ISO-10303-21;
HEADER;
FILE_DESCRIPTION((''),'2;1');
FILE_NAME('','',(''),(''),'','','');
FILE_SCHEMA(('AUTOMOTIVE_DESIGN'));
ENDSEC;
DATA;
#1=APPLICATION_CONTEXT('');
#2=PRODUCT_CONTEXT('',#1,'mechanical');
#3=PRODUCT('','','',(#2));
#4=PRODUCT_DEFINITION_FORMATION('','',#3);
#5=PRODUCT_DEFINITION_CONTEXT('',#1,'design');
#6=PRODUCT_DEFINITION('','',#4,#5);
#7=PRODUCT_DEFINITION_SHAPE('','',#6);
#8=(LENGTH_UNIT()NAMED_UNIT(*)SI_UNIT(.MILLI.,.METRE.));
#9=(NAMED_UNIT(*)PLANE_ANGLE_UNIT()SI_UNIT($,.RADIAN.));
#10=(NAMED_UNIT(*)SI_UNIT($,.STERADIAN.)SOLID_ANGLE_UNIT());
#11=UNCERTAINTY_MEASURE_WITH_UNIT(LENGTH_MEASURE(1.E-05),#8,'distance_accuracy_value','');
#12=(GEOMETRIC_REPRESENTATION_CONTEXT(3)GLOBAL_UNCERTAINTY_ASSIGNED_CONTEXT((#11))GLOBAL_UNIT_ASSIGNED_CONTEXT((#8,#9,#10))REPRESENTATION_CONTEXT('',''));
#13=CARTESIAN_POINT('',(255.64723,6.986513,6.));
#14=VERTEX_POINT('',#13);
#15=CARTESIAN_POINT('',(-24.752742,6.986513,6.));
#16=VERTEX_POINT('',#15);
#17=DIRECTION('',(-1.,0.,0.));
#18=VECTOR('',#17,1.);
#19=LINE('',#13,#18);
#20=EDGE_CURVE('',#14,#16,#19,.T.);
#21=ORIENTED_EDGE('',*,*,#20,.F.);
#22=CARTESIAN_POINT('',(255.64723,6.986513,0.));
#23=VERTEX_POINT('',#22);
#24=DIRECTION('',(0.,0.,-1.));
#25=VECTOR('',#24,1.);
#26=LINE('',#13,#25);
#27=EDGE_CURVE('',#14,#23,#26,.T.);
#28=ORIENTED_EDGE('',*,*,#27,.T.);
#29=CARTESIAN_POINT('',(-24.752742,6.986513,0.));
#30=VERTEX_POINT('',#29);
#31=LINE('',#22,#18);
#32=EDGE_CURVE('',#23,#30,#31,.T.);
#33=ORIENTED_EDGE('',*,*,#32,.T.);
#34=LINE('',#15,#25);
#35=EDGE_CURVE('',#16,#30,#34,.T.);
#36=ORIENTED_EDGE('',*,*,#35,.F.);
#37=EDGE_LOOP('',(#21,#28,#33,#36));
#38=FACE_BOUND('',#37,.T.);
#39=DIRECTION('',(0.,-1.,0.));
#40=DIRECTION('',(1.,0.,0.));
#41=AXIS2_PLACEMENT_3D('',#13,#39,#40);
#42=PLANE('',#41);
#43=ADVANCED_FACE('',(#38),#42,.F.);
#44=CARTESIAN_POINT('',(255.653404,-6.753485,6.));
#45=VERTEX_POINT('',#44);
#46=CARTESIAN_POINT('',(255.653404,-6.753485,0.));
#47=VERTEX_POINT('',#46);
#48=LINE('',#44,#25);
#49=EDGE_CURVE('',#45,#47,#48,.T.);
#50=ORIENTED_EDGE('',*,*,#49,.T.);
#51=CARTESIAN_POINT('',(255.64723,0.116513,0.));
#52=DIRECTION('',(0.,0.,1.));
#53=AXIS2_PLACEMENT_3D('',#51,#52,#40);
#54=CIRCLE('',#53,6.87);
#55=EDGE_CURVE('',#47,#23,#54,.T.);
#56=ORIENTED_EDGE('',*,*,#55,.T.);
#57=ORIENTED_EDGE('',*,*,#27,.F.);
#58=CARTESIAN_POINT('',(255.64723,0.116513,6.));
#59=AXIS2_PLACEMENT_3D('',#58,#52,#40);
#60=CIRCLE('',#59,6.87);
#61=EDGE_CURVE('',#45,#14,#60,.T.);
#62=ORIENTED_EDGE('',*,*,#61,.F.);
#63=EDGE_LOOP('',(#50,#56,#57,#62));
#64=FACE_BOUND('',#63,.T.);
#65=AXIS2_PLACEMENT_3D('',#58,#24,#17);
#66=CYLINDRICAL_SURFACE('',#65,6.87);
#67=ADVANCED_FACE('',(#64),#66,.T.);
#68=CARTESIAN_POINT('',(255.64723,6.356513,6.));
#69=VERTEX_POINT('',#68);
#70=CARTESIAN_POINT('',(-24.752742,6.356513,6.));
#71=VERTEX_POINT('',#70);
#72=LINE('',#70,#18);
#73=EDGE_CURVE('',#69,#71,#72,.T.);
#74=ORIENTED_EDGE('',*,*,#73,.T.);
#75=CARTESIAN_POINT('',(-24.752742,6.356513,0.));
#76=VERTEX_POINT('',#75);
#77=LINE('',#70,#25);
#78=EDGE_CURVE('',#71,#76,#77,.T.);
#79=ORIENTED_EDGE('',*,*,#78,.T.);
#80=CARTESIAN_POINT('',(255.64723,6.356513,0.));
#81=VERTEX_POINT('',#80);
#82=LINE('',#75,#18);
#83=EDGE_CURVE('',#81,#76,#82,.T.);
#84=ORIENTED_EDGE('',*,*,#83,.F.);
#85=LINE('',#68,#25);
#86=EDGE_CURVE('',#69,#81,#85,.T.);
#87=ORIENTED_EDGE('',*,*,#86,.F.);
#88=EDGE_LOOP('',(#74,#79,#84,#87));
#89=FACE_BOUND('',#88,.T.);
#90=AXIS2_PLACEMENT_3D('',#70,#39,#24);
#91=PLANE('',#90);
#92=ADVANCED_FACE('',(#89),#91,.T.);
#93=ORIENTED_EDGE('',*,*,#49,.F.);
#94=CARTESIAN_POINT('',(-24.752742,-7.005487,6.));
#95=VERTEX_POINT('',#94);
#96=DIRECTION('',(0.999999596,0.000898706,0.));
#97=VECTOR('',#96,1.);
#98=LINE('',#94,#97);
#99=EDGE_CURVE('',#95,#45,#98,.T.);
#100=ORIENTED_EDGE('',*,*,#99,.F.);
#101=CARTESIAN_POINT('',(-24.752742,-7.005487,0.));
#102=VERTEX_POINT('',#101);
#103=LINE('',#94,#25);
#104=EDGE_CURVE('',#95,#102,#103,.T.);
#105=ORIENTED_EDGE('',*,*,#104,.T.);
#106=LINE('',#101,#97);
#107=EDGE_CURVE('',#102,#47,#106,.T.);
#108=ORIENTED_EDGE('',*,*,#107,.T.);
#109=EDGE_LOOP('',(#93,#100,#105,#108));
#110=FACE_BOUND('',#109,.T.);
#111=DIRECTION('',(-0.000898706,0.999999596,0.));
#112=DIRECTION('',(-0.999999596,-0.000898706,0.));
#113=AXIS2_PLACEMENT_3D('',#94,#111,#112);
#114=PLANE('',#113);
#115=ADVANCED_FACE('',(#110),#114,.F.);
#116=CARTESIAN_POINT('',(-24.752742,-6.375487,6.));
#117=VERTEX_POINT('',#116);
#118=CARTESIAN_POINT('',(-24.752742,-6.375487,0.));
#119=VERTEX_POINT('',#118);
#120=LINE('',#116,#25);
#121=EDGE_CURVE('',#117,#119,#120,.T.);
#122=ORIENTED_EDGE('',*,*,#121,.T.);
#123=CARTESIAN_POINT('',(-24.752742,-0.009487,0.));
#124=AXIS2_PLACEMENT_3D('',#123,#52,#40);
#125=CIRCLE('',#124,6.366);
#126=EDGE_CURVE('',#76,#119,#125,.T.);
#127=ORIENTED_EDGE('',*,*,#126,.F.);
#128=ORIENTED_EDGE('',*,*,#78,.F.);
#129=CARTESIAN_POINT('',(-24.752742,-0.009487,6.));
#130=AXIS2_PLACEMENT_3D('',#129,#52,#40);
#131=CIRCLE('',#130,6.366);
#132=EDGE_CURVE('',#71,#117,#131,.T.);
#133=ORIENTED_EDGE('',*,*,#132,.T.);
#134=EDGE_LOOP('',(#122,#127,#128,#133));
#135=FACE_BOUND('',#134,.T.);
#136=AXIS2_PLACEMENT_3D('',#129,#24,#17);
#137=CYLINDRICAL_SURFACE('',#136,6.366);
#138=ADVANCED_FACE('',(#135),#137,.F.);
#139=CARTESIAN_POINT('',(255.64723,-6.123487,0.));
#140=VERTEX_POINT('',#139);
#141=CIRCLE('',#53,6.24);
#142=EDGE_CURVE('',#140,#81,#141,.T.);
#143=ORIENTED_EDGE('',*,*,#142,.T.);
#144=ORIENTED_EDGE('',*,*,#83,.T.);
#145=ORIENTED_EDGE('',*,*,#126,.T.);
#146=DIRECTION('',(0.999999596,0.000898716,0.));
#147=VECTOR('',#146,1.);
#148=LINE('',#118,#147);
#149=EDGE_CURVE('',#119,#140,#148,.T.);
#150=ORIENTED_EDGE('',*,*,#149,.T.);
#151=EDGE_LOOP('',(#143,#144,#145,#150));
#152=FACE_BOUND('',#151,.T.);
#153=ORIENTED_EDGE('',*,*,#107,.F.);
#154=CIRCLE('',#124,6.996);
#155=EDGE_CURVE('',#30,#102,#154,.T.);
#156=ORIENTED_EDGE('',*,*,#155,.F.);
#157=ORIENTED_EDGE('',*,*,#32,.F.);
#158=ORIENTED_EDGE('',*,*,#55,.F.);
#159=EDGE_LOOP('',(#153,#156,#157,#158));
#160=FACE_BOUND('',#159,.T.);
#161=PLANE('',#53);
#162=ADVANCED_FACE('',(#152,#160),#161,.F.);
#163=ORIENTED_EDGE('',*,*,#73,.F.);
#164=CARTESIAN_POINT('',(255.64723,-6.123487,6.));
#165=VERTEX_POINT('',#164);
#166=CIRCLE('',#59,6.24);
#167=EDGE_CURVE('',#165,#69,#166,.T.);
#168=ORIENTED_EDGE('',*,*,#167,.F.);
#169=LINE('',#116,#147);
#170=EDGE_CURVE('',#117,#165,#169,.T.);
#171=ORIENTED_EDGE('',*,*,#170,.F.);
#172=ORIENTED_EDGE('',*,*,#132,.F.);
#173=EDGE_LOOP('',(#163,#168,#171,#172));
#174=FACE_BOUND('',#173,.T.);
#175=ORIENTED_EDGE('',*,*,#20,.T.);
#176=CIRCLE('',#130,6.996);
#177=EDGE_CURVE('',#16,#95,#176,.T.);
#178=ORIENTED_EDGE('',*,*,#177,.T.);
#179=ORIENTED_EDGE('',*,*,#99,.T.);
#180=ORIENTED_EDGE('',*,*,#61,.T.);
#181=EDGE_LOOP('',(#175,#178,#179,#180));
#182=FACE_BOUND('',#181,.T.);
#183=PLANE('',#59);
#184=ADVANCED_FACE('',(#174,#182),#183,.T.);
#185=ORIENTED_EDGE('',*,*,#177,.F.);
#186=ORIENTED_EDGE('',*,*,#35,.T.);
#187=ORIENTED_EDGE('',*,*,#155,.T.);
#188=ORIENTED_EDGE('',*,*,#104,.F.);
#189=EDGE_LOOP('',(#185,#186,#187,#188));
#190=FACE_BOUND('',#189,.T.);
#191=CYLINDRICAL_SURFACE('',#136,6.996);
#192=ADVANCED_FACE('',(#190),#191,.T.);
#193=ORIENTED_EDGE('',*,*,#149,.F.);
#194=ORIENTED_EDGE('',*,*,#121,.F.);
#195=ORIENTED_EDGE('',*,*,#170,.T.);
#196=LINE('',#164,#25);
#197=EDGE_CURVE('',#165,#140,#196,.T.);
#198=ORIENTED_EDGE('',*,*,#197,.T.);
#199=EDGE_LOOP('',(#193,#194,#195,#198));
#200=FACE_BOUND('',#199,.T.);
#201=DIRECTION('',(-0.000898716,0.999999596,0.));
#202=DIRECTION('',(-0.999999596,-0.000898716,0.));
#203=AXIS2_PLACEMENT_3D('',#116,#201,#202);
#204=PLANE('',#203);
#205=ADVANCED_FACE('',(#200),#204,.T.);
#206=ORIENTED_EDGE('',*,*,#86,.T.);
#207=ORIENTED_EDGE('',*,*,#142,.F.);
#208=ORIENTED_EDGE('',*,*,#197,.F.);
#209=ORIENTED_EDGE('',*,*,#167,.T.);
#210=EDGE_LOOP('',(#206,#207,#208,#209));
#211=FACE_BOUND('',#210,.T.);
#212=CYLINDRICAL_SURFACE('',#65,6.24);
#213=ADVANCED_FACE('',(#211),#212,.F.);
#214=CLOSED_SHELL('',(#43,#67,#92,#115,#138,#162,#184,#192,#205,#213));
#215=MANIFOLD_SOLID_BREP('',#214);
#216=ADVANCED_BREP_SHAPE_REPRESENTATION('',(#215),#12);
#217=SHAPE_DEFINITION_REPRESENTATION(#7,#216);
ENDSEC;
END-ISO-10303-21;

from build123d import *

# Parameters (mm, degrees)
SALIENTE_EXTRUIR1_DEPTH = 6


with BuildPart() as part:
    # Croquis1 → Saliente-Extruir1 (new body)
    with BuildSketch(Plane.XY):
        with BuildLine():
            Line((255.64723017, 6.986512672), (-24.752741521, 6.986512672))
            ThreePointArc((-24.752741521, 6.986512672), (-31.748741521, -0.009487328), (-24.752741521, -7.005487328))
            Line((-24.752741521, -7.005487328), (255.65340428, -6.753484553))
            ThreePointArc((255.65340428, -6.753484553), (262.517229476, 0.119599728), (255.64723017, 6.986512672))
        make_face()
        with BuildLine():
            Line((-24.752741521, 6.356512672), (255.64723017, 6.356512672))
            ThreePointArc((255.64723017, 6.356512672), (261.88723017, 0.116512672), (255.64723017, -6.123487328))
            Line((255.64723017, -6.123487328), (-24.752741521, -6.375487328))
            ThreePointArc((-24.752741521, -6.375487328), (-31.118741521, -0.009487328), (-24.752741521, 6.356512672))
        make_face(mode=Mode.SUBTRACT)
    extrude(amount=SALIENTE_EXTRUIR1_DEPTH)


solid = part.part
